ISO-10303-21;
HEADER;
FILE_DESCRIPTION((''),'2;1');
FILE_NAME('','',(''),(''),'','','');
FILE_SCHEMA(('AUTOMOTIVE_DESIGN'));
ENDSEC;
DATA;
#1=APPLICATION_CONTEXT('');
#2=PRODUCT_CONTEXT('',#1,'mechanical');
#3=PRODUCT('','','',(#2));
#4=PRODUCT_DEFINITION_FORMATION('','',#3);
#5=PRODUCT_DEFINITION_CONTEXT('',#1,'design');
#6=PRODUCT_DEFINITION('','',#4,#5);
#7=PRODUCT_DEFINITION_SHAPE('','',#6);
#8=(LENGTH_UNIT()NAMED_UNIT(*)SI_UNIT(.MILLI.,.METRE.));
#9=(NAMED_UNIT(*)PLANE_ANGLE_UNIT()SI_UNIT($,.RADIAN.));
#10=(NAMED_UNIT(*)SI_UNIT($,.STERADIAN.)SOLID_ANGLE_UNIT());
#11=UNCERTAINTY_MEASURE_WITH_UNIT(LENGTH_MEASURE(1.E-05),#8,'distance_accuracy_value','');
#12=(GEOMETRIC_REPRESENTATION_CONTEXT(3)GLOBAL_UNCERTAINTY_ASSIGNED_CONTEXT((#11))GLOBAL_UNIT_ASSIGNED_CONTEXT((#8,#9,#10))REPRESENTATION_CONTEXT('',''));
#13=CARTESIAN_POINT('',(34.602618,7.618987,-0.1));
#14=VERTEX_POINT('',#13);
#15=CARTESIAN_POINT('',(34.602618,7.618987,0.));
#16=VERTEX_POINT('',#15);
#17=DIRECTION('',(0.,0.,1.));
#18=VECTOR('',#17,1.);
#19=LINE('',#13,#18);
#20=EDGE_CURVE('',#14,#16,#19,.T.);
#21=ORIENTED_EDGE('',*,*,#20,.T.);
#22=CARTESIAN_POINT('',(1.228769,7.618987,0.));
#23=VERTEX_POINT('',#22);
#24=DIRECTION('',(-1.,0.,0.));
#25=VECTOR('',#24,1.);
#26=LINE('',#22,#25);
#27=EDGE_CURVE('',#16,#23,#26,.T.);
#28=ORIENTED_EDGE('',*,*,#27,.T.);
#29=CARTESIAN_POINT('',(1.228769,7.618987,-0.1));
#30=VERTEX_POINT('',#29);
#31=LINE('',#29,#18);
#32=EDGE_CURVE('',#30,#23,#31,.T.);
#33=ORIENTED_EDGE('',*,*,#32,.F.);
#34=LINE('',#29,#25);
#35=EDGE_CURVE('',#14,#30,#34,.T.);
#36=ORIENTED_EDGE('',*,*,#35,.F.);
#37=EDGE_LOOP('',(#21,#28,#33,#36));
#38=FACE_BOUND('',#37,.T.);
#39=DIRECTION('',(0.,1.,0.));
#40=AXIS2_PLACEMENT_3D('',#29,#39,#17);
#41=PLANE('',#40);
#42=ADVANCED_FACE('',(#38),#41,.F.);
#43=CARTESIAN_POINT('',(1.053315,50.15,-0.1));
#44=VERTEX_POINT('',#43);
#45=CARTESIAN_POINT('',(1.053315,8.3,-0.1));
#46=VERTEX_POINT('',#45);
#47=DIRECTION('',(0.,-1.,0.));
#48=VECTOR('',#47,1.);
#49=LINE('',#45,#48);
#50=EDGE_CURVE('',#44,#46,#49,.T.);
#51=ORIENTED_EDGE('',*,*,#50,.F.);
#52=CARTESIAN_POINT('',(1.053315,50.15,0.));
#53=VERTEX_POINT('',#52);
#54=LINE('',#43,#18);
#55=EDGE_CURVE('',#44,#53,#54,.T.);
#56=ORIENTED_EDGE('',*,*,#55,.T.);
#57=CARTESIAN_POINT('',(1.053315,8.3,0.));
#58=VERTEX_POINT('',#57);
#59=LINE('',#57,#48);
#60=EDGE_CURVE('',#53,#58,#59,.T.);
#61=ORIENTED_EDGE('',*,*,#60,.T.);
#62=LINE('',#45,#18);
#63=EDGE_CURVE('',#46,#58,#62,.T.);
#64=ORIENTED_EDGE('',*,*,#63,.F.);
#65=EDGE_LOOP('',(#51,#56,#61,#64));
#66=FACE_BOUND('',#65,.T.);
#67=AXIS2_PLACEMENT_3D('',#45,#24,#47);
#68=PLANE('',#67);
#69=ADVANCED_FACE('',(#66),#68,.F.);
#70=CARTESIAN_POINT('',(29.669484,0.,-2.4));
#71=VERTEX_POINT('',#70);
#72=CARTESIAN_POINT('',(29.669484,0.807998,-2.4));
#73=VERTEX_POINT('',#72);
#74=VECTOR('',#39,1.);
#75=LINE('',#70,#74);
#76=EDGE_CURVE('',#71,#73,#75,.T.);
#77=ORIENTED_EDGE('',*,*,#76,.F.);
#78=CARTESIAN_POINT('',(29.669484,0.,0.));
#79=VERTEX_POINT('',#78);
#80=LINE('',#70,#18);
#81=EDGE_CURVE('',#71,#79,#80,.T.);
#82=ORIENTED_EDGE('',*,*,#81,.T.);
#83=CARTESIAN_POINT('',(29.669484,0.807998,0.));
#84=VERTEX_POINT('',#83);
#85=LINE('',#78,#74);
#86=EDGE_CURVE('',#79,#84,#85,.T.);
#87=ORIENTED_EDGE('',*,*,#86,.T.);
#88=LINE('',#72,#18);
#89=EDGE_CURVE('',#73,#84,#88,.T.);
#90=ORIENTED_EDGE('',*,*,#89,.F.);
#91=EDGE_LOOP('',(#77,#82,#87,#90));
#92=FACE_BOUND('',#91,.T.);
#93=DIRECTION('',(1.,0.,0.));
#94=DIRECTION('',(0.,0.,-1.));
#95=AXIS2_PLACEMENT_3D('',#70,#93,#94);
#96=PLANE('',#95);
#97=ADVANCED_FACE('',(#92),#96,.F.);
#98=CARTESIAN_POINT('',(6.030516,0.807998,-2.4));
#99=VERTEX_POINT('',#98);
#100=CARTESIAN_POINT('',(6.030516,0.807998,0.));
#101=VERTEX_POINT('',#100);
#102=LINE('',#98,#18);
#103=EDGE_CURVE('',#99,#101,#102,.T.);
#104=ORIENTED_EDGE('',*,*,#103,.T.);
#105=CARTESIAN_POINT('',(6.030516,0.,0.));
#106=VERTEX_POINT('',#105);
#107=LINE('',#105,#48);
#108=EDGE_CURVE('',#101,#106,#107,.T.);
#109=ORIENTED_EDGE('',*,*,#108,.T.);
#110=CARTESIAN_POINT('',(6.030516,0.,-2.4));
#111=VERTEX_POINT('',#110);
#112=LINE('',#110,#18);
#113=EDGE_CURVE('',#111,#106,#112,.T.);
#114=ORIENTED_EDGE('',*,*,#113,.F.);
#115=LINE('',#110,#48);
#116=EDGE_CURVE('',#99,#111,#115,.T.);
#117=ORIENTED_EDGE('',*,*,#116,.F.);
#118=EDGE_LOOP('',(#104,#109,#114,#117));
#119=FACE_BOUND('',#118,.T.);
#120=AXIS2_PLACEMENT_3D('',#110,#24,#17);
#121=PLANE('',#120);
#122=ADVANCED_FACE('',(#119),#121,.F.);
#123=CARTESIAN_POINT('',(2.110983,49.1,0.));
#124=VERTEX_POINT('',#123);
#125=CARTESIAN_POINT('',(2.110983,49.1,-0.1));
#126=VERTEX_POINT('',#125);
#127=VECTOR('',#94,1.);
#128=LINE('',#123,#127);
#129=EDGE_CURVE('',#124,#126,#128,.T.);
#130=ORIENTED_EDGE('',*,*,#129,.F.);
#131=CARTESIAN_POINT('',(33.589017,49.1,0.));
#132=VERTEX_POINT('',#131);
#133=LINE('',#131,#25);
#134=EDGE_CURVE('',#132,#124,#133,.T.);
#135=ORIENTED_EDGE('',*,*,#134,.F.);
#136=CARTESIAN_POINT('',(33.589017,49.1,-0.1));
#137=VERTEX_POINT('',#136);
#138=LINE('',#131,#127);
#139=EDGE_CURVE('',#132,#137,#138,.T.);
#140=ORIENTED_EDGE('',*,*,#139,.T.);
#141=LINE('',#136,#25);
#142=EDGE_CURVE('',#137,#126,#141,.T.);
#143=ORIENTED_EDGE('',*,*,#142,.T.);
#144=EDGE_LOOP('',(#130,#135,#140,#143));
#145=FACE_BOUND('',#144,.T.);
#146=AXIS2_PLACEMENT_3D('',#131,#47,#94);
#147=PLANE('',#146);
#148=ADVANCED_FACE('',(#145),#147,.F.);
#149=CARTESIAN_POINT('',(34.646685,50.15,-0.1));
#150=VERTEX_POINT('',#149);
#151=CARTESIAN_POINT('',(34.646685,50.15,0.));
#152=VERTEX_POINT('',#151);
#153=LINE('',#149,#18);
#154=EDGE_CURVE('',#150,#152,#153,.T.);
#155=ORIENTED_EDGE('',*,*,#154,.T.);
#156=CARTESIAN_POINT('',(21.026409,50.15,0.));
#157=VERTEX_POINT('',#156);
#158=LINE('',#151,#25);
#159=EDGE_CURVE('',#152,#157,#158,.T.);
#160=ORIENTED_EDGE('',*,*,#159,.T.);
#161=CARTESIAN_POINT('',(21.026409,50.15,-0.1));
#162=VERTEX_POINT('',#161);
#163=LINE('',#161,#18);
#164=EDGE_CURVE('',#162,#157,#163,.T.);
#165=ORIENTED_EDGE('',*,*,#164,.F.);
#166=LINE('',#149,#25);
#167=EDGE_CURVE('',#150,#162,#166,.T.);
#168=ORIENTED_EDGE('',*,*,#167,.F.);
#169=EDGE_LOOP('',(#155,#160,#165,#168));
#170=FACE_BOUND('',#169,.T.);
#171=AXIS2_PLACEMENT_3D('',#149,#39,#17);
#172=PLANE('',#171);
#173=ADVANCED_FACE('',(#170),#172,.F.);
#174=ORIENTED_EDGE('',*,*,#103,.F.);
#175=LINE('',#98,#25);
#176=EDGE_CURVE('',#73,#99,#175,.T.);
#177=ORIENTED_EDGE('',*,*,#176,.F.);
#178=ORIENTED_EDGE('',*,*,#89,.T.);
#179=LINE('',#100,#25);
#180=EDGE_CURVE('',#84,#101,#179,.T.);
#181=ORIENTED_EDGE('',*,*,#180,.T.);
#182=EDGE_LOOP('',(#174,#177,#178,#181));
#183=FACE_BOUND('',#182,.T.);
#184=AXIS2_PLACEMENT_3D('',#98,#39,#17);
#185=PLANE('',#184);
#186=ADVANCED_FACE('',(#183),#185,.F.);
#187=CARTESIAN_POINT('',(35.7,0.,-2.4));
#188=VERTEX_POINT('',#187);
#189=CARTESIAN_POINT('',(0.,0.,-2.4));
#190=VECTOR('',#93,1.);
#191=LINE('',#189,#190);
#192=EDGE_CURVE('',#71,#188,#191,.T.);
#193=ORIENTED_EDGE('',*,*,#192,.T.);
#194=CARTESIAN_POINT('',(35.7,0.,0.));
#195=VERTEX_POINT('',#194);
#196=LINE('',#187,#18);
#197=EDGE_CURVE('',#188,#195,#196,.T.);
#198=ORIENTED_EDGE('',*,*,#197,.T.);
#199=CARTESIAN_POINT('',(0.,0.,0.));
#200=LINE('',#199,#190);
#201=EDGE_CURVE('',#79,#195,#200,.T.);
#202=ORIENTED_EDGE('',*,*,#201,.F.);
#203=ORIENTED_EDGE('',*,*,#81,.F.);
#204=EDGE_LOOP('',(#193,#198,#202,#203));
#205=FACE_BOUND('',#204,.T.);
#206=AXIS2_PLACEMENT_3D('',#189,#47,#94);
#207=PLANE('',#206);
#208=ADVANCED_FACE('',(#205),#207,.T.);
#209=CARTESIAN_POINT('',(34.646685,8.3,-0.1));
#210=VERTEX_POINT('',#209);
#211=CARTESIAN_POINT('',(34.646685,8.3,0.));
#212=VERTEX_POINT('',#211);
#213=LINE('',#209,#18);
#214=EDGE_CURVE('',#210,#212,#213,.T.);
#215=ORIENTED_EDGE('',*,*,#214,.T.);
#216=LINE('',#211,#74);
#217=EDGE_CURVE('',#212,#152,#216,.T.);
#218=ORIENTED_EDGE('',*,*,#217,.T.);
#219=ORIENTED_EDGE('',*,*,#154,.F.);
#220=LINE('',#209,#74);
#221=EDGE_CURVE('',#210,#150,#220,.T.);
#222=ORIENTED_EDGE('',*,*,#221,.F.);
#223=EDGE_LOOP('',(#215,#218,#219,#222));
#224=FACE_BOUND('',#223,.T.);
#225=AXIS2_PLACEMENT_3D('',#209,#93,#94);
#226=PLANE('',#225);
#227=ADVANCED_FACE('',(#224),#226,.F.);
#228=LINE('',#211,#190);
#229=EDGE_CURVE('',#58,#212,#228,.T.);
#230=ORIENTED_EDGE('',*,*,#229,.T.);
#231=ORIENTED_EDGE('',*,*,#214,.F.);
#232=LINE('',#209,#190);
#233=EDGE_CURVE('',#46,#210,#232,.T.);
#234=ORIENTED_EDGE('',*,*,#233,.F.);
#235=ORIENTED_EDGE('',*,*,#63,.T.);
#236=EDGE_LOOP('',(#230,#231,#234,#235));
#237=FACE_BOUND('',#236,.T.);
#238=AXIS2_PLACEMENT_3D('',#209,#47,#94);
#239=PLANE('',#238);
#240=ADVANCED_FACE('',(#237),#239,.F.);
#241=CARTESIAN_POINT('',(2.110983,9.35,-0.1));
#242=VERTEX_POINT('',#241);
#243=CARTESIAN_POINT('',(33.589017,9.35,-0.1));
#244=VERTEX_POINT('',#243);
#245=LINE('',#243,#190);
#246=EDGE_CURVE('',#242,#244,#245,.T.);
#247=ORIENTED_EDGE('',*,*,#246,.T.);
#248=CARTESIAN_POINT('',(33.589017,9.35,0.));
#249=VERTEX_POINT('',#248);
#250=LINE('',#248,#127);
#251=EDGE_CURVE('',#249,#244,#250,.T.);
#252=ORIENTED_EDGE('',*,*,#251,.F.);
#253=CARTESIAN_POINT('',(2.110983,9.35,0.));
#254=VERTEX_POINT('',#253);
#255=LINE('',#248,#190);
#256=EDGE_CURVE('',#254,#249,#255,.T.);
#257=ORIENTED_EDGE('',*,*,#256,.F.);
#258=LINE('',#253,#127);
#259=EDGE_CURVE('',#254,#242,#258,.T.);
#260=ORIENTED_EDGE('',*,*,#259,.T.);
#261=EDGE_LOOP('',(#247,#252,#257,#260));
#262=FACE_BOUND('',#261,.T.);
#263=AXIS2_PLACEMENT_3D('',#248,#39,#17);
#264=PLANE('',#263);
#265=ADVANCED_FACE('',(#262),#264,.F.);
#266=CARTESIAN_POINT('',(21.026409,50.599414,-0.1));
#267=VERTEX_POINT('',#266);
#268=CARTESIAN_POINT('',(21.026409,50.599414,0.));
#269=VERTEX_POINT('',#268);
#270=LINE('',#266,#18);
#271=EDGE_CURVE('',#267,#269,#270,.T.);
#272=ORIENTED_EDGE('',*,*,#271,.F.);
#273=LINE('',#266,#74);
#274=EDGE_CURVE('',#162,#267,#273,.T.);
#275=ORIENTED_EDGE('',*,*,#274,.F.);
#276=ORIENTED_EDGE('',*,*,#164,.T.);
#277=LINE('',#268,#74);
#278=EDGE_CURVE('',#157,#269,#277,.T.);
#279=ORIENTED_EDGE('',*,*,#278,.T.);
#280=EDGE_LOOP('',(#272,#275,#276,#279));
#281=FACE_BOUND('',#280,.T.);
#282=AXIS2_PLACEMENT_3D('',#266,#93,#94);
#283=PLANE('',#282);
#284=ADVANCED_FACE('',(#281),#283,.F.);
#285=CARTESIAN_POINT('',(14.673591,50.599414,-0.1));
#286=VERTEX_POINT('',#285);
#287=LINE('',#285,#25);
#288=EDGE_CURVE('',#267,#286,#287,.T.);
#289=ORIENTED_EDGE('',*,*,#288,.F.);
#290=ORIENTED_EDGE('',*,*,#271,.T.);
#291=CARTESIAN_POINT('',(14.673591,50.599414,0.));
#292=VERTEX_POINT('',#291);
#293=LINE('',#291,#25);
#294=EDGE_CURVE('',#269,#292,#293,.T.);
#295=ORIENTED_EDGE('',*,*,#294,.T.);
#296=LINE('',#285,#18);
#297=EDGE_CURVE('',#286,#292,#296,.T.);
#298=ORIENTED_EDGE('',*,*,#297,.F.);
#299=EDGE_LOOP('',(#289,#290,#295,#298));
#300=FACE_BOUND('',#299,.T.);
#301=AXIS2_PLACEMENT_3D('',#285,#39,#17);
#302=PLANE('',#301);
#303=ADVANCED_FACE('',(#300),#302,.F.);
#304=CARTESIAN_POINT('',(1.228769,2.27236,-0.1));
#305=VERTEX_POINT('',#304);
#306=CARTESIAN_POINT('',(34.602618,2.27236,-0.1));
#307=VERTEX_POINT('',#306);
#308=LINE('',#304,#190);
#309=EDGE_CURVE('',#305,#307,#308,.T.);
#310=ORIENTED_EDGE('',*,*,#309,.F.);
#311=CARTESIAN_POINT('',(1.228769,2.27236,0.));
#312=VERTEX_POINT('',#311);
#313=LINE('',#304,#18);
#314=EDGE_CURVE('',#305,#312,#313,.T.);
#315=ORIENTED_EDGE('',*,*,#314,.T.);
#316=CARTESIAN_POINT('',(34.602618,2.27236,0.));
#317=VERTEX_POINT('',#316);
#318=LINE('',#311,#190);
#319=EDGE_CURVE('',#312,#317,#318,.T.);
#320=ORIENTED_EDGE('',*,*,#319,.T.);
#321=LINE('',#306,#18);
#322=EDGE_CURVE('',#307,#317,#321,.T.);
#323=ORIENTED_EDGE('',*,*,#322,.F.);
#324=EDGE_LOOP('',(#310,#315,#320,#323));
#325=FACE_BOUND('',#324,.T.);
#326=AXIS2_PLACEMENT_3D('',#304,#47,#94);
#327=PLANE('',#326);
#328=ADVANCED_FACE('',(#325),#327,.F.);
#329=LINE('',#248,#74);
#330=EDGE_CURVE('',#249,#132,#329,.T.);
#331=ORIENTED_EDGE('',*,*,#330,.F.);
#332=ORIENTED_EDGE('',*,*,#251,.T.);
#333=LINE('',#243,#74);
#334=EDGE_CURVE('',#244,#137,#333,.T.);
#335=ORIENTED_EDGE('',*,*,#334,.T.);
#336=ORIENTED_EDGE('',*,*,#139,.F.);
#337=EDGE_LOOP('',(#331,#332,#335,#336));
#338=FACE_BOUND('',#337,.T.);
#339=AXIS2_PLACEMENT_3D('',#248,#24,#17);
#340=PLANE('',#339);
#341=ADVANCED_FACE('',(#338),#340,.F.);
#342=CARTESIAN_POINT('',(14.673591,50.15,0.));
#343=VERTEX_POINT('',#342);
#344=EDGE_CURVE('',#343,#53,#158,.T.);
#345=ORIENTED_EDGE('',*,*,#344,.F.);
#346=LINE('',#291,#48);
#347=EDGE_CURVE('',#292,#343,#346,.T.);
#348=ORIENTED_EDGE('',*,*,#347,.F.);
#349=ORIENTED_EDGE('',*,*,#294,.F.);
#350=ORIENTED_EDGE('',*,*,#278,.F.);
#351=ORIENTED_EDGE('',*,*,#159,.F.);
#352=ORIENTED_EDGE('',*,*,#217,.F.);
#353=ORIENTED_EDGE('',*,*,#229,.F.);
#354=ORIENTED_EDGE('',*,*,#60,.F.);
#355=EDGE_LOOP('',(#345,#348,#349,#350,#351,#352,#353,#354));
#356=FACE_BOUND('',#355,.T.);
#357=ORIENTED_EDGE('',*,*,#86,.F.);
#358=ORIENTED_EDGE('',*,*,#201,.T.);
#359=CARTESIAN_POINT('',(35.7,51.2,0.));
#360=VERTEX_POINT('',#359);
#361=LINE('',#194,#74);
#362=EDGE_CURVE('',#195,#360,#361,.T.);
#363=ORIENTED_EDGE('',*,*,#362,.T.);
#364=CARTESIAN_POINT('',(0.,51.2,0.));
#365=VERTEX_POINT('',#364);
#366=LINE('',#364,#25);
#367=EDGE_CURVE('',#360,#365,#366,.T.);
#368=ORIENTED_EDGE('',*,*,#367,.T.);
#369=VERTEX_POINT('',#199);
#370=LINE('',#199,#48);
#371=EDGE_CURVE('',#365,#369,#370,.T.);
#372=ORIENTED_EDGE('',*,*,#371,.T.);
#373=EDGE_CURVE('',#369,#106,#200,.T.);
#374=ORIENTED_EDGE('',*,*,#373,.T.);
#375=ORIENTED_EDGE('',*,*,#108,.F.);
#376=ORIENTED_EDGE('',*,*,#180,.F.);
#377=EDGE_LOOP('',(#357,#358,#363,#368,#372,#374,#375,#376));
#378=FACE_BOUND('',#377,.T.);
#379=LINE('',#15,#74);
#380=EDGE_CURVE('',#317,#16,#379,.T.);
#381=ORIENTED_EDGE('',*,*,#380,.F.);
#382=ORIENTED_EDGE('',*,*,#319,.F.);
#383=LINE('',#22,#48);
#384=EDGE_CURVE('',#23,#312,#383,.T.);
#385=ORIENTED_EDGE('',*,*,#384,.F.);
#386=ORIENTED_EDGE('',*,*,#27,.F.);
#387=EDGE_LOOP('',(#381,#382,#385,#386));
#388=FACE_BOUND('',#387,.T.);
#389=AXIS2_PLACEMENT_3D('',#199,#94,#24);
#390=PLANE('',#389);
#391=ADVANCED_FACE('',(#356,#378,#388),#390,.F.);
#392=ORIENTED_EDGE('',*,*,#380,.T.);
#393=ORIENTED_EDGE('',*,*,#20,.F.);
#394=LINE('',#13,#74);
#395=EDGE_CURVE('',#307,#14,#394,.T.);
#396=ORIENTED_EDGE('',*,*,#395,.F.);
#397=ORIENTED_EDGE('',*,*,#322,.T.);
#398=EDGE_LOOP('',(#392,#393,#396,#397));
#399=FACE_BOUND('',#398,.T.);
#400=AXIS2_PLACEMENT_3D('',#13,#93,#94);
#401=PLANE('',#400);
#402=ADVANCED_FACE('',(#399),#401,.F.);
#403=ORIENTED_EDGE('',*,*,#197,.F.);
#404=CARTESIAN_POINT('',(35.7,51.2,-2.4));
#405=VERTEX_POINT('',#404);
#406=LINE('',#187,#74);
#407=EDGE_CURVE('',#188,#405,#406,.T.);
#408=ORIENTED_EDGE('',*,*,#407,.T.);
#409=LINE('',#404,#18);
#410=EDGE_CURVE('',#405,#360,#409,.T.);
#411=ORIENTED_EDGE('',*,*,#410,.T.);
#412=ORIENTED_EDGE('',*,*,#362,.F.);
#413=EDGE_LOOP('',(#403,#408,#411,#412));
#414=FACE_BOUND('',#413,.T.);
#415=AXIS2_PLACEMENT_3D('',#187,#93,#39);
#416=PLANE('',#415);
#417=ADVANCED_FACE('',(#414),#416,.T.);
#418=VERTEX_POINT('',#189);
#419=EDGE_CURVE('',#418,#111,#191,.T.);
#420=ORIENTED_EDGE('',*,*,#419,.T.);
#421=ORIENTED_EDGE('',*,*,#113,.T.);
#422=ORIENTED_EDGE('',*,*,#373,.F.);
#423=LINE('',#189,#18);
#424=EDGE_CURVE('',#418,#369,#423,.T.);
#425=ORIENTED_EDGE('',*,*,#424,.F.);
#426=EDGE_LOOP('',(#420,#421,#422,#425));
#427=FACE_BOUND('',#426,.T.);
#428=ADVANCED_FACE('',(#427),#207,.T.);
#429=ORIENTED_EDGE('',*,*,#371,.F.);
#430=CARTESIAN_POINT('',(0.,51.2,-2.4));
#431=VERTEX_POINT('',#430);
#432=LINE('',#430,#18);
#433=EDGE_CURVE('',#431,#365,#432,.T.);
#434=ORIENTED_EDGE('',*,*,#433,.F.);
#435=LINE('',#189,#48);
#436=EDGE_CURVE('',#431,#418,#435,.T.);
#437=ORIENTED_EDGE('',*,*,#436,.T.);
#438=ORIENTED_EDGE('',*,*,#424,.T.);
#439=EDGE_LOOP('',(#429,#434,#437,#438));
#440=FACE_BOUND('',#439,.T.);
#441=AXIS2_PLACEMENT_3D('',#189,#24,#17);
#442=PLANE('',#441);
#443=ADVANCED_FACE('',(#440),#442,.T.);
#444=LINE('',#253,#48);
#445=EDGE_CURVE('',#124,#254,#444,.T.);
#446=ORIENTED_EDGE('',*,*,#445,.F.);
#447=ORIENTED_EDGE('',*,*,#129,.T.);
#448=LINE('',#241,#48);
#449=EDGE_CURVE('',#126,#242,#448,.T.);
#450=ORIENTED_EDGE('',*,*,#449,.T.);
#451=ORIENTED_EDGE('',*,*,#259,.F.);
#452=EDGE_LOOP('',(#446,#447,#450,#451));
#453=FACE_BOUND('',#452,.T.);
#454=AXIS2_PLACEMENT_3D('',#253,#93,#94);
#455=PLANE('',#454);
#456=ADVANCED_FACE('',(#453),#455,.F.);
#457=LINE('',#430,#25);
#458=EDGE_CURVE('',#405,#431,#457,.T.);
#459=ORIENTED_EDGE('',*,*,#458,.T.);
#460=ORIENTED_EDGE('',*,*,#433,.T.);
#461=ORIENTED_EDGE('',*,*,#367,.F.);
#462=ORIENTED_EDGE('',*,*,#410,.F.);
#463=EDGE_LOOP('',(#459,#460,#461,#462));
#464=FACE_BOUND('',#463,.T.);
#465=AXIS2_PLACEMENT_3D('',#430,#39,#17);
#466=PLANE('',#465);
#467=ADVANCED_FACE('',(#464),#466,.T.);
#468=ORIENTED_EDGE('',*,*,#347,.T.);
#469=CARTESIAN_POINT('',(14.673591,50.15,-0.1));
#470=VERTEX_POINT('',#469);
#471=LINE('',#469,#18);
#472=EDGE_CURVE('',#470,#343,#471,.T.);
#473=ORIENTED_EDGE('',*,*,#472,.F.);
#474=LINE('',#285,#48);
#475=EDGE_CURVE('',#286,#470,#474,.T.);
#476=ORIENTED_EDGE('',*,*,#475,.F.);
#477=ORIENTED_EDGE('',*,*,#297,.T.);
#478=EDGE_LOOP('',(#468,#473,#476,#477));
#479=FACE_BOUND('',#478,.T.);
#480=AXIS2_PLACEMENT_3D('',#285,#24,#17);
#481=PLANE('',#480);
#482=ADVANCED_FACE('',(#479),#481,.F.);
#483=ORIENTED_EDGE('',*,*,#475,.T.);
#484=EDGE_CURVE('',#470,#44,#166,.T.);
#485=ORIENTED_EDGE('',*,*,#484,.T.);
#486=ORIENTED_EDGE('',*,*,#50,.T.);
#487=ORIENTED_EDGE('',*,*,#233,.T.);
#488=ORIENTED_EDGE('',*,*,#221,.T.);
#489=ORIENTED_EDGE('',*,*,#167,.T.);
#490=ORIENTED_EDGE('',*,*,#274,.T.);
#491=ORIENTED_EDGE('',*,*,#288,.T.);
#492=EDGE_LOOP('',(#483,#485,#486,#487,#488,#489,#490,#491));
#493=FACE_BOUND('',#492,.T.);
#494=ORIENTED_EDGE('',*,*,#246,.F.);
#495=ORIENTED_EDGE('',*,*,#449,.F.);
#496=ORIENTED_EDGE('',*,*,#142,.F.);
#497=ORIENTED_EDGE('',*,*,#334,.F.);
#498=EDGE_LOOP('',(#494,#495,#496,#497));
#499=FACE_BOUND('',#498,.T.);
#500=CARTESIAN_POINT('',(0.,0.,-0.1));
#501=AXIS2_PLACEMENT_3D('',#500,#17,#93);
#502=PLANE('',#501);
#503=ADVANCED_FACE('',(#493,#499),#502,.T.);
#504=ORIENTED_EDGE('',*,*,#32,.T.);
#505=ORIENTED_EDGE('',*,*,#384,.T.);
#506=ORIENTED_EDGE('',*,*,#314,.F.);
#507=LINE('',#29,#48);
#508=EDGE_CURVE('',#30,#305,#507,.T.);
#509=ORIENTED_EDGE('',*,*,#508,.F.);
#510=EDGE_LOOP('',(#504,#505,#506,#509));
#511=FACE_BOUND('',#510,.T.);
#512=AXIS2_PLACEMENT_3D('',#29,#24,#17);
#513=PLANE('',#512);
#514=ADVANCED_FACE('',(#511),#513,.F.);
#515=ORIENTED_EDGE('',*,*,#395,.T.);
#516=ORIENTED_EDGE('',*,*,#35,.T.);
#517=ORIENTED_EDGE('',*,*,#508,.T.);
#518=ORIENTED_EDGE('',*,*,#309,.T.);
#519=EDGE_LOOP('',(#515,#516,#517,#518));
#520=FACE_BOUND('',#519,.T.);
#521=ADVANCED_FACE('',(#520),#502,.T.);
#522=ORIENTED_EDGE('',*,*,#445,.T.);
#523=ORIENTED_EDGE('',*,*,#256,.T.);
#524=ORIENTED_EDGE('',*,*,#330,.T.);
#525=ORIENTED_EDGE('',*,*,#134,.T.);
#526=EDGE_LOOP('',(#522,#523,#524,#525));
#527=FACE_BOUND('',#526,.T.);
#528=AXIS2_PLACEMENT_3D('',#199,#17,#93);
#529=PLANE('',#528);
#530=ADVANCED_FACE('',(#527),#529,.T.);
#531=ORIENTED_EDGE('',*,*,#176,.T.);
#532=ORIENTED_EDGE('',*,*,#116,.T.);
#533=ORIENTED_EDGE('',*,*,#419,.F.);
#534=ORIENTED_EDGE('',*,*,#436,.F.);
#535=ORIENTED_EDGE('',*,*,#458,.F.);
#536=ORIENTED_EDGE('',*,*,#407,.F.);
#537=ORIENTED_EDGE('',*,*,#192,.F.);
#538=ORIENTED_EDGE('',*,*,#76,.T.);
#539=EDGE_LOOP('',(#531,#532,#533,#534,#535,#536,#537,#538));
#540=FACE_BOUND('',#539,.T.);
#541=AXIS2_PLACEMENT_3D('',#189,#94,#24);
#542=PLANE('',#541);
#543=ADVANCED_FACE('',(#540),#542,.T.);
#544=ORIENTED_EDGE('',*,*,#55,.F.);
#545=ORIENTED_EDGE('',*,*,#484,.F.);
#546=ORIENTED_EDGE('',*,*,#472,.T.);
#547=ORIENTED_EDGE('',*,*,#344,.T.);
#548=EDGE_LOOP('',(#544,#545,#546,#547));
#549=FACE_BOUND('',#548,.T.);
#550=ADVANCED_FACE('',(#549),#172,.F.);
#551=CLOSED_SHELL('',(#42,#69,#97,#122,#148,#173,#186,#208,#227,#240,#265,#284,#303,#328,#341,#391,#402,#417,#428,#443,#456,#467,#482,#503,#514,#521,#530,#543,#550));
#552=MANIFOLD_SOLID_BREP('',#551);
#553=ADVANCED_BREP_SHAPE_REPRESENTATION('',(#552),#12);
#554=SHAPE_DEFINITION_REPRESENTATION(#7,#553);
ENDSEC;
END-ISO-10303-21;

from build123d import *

# Parameters (mm, degrees)
ESQUISSE6_W             = 35.7
ESQUISSE6_H             = 51.2
BOSS_EXTRU_3_DEPTH      = 2.4
ESQUISSE7_W             = 33.59337029
ESQUISSE7_H             = 41.85
ENL_V_MAT_EXTRU_4_DEPTH = 0.1
ESQUISSE8_W             = 6.352818378
ESQUISSE8_H             = 0.449413723
ENL_V_MAT_EXTRU_5_DEPTH = 0.1
ESQUISSE9_W             = 31.478034176
ESQUISSE9_H             = 39.75
BOSS_EXTRU_4_DEPTH      = 0.1
ESQUISSE10_W            = 33.373849312
ESQUISSE10_H            = 5.346626879
ENL_V_MAT_EXTRU_6_DEPTH = 0.1
ESQUISSE11_W            = 23.638967436
ESQUISSE11_H            = 0.807997654
ENL_V_MAT_EXTRU_7_DEPTH = 63.463509347


with BuildPart() as part:
    # Esquisse6 → Boss.-Extru.3 (new body)
    with BuildSketch(Plane.XY):
        with Locations((17.85, 25.6)):
            Rectangle(ESQUISSE6_W, ESQUISSE6_H)
    extrude(amount=-BOSS_EXTRU_3_DEPTH)

    # Esquisse7 → Enlèv. mat.-Extru.4 (cut)
    with BuildSketch(Plane.XY):
        with Locations((17.85, 29.225)):
            Rectangle(ESQUISSE7_W, ESQUISSE7_H)
    extrude(amount=-ENL_V_MAT_EXTRU_4_DEPTH, mode=Mode.SUBTRACT)

    # Esquisse8 → Enlèv. mat.-Extru.5 (cut)
    with BuildSketch(Plane.XY):
        with Locations((17.85, 50.374706862)):
            Rectangle(ESQUISSE8_W, ESQUISSE8_H)
    extrude(amount=-ENL_V_MAT_EXTRU_5_DEPTH, mode=Mode.SUBTRACT)

    # Esquisse9 → Boss.-Extru.4 (add)
    with BuildSketch(Plane.XY.offset(-0.1)):
        with Locations((17.85, 29.225)):
            Rectangle(ESQUISSE9_W, ESQUISSE9_H)
    extrude(amount=BOSS_EXTRU_4_DEPTH)

    # Esquisse10 → Enlèv. mat.-Extru.6 (cut)
    with BuildSketch(Plane.XY):
        with Locations((17.915693231, 4.94567387)):
            Rectangle(ESQUISSE10_W, ESQUISSE10_H)
    extrude(amount=-ENL_V_MAT_EXTRU_6_DEPTH, mode=Mode.SUBTRACT)

    # Esquisse11 → Enlèv. mat.-Extru.7 (cut, through all)
    with BuildSketch(Plane.XY):
        with Locations((17.85, 0.403998827)):
            Rectangle(ESQUISSE11_W, ESQUISSE11_H)
    extrude(amount=-ENL_V_MAT_EXTRU_7_DEPTH, mode=Mode.SUBTRACT)


solid = part.part
